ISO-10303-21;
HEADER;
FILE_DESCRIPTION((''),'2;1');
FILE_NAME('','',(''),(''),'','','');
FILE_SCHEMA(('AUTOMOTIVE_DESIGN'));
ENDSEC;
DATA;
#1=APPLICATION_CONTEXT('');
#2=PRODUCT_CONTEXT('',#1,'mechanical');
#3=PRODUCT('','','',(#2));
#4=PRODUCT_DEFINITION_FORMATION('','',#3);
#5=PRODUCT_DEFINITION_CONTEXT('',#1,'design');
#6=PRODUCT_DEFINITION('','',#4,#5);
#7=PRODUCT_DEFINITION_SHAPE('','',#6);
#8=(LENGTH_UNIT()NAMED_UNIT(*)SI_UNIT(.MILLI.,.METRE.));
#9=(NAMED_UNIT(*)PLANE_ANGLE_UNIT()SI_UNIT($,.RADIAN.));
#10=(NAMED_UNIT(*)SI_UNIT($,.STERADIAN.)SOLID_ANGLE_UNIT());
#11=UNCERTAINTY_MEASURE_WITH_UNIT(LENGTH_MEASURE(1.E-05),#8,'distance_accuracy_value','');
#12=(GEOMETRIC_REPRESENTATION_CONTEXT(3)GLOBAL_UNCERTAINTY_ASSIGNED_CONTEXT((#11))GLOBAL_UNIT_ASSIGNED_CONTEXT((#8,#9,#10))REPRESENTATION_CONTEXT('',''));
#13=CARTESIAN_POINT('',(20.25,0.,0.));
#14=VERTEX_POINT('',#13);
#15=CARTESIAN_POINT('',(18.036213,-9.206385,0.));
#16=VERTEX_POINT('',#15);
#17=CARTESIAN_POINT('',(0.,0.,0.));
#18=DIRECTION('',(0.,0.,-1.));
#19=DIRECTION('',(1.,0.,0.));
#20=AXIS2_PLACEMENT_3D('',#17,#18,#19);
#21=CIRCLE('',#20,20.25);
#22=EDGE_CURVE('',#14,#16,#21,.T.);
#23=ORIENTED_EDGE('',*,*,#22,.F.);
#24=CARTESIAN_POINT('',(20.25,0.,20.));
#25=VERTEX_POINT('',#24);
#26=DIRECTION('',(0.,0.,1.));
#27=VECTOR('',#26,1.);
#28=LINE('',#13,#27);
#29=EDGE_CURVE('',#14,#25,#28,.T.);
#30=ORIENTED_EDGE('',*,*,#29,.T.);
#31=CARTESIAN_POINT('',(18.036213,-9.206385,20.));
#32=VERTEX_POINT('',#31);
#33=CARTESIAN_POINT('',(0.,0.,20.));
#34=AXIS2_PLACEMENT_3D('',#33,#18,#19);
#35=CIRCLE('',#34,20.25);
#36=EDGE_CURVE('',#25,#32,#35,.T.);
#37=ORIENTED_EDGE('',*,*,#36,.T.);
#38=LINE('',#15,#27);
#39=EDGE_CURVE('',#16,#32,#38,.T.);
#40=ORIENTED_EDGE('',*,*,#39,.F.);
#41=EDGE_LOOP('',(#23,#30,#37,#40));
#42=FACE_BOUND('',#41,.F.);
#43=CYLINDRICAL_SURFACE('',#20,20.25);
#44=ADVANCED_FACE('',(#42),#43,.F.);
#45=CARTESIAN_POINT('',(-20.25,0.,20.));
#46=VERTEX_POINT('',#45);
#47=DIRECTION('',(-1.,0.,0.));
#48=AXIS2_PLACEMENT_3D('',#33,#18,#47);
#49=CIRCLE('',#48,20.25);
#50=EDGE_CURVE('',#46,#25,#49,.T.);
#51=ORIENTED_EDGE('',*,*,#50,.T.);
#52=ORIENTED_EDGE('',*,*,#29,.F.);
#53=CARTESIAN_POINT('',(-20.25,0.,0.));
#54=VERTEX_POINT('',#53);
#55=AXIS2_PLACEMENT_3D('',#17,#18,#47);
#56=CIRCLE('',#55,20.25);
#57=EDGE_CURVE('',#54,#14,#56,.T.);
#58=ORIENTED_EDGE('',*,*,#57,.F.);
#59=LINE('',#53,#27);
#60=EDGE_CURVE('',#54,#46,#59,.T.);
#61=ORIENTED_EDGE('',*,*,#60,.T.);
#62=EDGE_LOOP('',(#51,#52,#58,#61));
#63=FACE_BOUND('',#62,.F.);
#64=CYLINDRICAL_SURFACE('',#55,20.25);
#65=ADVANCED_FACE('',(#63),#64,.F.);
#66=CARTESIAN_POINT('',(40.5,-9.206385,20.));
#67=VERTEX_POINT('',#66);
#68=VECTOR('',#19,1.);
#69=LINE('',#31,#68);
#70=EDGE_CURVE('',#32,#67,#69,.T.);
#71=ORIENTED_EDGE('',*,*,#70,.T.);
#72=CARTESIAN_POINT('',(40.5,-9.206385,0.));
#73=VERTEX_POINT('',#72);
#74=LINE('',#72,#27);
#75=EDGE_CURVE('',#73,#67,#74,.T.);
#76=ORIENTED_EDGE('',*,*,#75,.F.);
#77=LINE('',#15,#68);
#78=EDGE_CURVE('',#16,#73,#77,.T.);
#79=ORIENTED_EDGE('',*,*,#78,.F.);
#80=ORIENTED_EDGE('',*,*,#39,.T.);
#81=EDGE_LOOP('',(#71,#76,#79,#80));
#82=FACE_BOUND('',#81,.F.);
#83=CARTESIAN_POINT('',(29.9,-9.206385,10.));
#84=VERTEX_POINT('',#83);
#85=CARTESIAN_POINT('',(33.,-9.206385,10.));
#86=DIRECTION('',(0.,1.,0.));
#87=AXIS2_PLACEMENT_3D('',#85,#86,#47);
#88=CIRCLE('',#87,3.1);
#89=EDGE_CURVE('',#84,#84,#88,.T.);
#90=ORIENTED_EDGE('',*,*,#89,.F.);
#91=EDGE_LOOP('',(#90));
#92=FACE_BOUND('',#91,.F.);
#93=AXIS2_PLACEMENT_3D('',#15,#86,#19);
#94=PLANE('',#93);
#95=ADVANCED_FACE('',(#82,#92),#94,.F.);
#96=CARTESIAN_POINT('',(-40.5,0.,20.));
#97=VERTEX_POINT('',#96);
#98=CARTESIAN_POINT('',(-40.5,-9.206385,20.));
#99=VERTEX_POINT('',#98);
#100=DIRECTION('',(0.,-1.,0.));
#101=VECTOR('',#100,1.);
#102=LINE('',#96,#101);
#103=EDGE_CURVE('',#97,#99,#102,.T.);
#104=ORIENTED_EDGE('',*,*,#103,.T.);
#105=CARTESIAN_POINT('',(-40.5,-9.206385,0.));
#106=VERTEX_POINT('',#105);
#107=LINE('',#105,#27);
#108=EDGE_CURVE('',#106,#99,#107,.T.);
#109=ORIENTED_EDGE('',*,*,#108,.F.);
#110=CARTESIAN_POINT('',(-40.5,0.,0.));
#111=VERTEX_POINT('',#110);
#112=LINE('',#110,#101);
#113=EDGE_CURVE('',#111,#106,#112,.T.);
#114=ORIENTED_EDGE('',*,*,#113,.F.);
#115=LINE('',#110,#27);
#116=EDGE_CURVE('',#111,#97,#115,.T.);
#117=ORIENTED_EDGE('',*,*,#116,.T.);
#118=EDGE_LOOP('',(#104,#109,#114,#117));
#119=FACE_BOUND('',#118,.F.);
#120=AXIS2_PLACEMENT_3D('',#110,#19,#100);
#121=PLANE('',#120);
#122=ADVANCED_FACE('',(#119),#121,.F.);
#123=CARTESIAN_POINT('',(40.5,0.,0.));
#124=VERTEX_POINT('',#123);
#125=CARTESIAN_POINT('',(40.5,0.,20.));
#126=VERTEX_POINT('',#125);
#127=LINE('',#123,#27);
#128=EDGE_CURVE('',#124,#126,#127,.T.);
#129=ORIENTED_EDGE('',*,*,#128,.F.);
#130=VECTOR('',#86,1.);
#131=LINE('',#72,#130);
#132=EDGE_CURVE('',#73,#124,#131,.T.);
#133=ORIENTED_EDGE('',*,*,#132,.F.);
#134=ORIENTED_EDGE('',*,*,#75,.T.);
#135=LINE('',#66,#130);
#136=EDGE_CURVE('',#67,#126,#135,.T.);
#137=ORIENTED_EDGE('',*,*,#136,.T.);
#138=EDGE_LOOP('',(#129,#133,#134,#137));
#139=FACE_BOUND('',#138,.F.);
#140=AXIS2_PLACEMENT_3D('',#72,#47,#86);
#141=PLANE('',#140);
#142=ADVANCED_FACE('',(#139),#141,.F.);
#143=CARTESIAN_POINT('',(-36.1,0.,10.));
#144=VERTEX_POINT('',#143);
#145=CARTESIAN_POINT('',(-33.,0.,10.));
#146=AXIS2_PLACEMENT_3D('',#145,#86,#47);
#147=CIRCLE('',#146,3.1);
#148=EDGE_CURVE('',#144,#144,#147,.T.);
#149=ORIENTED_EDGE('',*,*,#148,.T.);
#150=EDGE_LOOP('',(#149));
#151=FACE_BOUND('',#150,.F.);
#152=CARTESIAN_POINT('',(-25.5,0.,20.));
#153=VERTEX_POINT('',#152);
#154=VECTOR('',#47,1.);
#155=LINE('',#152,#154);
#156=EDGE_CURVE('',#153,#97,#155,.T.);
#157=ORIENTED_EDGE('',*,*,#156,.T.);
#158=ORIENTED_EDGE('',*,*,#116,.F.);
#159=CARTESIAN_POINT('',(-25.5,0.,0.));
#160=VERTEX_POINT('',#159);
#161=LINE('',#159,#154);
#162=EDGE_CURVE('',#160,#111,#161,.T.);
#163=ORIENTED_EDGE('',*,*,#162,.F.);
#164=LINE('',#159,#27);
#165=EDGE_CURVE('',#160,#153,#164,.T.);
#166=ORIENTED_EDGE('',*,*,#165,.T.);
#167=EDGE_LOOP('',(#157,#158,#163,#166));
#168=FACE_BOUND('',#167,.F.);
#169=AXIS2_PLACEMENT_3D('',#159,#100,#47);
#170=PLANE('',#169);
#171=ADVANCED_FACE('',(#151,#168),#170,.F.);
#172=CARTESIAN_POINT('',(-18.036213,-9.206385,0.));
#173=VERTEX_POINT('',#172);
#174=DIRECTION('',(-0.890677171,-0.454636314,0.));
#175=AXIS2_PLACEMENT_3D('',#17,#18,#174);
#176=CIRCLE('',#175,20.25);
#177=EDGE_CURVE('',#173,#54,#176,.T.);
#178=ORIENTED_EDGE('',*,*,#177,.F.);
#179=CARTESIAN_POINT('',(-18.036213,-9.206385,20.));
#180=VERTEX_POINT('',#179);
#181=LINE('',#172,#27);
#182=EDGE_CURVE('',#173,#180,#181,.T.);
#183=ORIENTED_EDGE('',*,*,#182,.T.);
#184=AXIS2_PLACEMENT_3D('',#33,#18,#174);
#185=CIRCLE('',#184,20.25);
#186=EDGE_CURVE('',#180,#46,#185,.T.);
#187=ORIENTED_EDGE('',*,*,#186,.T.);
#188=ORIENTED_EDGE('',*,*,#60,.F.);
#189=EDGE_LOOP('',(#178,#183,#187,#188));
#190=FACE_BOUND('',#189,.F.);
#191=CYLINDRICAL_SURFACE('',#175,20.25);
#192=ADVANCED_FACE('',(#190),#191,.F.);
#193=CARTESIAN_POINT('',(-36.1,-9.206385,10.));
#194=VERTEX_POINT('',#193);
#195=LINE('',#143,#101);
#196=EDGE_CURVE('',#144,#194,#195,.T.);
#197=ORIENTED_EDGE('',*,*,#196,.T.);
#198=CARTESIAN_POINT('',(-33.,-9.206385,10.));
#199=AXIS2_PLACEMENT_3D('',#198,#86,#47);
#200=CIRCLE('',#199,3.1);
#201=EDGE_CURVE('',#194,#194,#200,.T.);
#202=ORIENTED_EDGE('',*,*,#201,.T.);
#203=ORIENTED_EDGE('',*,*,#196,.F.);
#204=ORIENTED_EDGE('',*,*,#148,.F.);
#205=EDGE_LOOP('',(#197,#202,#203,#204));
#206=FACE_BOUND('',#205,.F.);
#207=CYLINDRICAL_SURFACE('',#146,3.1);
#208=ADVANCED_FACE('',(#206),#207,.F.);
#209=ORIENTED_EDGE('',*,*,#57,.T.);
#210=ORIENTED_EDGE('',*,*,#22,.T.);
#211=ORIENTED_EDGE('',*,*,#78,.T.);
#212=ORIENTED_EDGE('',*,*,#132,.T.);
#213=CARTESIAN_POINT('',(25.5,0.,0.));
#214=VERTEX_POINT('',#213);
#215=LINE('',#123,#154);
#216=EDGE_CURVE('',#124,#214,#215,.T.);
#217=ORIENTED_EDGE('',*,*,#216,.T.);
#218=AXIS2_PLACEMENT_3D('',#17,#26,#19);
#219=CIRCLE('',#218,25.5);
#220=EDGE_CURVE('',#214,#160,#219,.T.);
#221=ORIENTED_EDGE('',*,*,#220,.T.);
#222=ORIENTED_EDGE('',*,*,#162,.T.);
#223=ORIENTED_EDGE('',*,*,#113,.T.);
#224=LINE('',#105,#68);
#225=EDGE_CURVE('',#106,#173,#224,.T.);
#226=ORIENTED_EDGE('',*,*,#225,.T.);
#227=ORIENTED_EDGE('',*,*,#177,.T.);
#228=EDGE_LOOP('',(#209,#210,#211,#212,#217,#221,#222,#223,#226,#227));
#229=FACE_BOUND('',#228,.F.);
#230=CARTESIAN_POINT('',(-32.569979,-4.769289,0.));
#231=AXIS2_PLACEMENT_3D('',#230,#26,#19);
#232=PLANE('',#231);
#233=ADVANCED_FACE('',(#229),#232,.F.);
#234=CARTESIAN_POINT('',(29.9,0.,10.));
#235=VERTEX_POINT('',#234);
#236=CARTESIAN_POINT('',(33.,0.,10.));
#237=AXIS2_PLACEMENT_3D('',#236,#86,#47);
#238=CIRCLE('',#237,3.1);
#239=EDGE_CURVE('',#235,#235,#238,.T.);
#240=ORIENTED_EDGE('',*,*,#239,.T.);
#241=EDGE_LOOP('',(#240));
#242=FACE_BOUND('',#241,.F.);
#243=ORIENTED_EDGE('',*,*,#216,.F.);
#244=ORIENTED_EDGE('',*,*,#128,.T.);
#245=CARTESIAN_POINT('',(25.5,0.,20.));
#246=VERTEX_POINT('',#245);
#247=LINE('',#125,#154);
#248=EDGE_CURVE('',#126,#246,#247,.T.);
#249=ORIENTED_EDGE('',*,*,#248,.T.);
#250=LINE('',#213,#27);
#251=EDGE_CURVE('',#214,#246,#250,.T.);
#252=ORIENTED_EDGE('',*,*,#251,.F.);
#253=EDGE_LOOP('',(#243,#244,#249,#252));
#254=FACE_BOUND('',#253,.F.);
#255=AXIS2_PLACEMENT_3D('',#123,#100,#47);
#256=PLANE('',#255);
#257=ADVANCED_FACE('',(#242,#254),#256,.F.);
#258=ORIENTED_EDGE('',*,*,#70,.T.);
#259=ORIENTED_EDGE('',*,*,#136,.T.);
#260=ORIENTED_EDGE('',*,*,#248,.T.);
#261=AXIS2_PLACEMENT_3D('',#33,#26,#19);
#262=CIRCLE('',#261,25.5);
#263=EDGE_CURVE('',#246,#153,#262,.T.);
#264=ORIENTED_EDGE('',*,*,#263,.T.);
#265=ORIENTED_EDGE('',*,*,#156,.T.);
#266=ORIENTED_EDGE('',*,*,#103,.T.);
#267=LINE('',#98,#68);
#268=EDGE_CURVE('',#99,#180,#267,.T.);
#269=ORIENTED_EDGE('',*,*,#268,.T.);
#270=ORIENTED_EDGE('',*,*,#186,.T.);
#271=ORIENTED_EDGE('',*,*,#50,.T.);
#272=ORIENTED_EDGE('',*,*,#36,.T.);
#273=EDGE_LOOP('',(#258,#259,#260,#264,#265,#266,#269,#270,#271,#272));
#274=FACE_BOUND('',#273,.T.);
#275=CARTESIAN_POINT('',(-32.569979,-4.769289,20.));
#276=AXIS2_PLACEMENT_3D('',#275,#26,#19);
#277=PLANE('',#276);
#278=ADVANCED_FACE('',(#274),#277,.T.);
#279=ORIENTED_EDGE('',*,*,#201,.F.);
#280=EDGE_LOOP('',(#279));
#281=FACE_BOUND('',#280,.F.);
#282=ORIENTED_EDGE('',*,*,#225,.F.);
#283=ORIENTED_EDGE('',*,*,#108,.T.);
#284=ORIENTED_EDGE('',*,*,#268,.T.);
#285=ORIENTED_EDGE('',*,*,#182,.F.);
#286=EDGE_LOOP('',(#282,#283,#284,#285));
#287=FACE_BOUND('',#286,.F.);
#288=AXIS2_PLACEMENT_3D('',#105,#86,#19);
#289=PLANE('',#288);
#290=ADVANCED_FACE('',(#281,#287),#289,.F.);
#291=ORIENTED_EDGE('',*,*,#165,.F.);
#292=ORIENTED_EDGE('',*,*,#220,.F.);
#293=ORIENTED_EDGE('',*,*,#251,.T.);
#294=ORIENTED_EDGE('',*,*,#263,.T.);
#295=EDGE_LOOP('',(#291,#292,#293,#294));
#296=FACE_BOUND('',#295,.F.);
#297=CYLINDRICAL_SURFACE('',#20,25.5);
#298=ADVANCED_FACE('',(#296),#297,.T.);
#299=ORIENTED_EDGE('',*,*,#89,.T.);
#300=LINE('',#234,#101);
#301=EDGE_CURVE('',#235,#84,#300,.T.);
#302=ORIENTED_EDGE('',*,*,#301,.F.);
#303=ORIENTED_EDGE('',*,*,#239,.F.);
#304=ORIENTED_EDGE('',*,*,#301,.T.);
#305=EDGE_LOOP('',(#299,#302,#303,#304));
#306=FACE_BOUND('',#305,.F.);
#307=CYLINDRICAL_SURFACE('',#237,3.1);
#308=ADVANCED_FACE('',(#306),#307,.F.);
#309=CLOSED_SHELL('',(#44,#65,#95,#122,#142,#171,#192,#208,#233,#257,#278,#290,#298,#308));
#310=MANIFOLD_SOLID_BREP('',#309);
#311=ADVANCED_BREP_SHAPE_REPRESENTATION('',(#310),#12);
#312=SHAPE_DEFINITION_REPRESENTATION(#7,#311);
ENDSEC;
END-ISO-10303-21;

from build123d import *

# Parameters (mm, degrees)
F1_DEPTH = 20
F2_R     = 3.1
F3_R     = 3.1
F4_DEPTH = 25


with BuildPart() as f1:
    # F0 (on Top) → F1 (new body)
    with BuildSketch(Plane.XY):
        with BuildLine():
            ThreePointArc((-23.7800855498, -9.2063853517), (-25.0663338117, -4.6828313273), (-25.5, 0))
            Line((-25.5, 0), (-40.5, 0))
            Line((-40.5, 0), (-40.5, -9.2063853517))
            Line((-40.5, -9.2063853517), (-23.7800855498, -9.2063853517))
        make_face()
        with BuildLine():
            Line((40.5, 0), (25.5, 0))
            ThreePointArc((25.5, 0), (25.0663338117, -4.6828313273), (23.7800855498, -9.2063853517))
            Line((23.7800855498, -9.2063853517), (40.5, -9.2063853517))
            Line((40.5, -9.2063853517), (40.5, 0))
        make_face()
        with BuildLine():
            ThreePointArc((-20.25, 0), (0, 20.25), (20.25, 0))
            Line((20.25, 0), (25.5, 0))
            ThreePointArc((25.5, 0), (0, 25.5), (-25.5, 0))
            Line((-25.5, 0), (-20.25, 0))
        make_face()
        with BuildLine():
            ThreePointArc((-18.0362127054, -9.2063853517), (-19.6887760829, -4.7344055971), (-20.25, 0))
            Line((-20.25, 0), (-25.5, 0))
            ThreePointArc((-25.5, 0), (-25.0663338117, -4.6828313273), (-23.7800855498, -9.2063853517))
            Line((-23.7800855498, -9.2063853517), (-18.0362127054, -9.2063853517))
        make_face()
        with BuildLine():
            Line((25.5, 0), (20.25, 0))
            ThreePointArc((20.25, 0), (19.6887760829, -4.7344055971), (18.0362127054, -9.2063853517))
            Line((18.0362127054, -9.2063853517), (23.7800855498, -9.2063853517))
            ThreePointArc((23.7800855498, -9.2063853517), (25.0663338117, -4.6828313273), (25.5, 0))
        make_face()
    extrude(amount=F1_DEPTH)

    # F2 (on face) + F3 (on face) → F4 (cut)
    with BuildSketch(Plane(origin=(0, 0, 0), x_dir=(-1, 0, 0), z_dir=(0, 1, 0))):
        with Locations((33, 10)):
            Circle(F2_R)
    with BuildSketch(Plane(origin=(0, 0, 0), x_dir=(-1, 0, 0), z_dir=(0, 1, 0))):
        with Locations((-33, 10)):
            Circle(F3_R)
    extrude(amount=-F4_DEPTH, mode=Mode.SUBTRACT)


solid = f1.part
